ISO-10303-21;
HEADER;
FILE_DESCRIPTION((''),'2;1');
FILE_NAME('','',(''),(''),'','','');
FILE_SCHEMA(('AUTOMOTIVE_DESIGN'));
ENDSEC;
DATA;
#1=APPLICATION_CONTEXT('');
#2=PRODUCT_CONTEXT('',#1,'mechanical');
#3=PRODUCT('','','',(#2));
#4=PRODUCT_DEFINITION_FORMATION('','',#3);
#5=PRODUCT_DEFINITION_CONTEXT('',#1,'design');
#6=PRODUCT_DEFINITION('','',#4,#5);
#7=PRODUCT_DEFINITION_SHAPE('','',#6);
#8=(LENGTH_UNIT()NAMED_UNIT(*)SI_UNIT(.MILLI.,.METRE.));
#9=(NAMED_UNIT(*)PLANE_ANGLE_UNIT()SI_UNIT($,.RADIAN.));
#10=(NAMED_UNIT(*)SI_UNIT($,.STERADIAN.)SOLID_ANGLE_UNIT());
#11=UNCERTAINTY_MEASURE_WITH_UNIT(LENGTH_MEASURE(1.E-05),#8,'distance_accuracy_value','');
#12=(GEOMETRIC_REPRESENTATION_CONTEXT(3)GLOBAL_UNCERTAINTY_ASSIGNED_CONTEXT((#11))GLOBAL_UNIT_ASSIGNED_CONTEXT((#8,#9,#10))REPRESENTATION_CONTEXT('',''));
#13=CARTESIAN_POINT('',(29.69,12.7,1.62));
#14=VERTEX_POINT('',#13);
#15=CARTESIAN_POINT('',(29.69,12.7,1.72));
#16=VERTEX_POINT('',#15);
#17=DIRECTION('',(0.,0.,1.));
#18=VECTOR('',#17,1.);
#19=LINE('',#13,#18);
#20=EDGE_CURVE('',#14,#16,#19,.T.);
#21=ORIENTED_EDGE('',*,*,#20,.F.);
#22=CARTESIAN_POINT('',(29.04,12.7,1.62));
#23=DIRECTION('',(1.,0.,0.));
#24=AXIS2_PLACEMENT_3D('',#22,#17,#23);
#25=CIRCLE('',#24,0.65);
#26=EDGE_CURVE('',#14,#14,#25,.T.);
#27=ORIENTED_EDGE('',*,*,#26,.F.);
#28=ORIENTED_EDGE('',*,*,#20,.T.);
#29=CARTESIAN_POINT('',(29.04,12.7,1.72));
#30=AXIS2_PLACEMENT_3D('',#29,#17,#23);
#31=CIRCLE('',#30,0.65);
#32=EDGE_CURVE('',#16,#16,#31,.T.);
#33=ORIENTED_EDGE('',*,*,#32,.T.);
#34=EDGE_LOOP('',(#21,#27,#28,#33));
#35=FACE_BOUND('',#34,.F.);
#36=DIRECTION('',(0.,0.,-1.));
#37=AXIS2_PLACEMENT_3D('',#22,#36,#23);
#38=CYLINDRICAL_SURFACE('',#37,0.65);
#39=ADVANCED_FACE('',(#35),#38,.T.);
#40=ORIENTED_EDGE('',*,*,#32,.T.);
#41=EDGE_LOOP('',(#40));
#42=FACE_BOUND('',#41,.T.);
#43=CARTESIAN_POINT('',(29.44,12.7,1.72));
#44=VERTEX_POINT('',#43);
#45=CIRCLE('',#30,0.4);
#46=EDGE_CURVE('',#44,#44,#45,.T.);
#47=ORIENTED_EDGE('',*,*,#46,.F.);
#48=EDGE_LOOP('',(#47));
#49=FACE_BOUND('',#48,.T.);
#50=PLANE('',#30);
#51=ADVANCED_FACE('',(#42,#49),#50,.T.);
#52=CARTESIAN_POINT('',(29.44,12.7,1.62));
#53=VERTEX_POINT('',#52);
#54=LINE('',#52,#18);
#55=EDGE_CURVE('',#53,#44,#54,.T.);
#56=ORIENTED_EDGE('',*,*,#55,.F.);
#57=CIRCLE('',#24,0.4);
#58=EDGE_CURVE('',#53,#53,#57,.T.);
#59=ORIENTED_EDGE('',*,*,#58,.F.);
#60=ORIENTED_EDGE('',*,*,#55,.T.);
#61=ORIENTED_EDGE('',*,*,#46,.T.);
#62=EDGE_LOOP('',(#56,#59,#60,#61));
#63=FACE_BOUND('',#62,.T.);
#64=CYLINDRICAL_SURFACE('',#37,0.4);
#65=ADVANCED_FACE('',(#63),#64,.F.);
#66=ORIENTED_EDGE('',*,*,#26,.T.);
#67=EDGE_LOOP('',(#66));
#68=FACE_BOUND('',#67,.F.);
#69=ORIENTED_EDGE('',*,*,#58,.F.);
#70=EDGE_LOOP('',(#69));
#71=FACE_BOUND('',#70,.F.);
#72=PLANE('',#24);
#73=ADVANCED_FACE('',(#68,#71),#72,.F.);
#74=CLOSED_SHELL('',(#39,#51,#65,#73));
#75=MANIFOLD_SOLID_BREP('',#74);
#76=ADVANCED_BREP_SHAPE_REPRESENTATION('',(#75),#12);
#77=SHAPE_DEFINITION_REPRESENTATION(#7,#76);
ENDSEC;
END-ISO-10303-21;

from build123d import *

# Parameters (mm, degrees)
CYLINDER007_R     = 0.4
CYLINDER007_DEPTH = 0.1
CYLINDER006_R     = 0.65
CYLINDER006_DEPTH = 0.1


with BuildPart() as cylinder007:
    # Cylinder007 → Cylinder007 (new body)
    with BuildSketch(Plane.XY.offset(1.62)):
        Circle(CYLINDER007_R)
    extrude(amount=CYLINDER007_DEPTH)


with BuildPart() as cut016:
    # Cylinder006 → Cylinder006 (new body)
    with BuildSketch(Plane.XY.offset(1.62)):
        Circle(CYLINDER006_R)
    extrude(amount=CYLINDER006_DEPTH)

    # Cut016: cut Cylinder007
    add(cylinder007.part, mode=Mode.SUBTRACT)


with BuildPart() as cut016_1:
    # Cut016 placement: moved
    add(cut016.part.moved(Location((29.04, 12.7, 0))))


solid = cut016_1.part
